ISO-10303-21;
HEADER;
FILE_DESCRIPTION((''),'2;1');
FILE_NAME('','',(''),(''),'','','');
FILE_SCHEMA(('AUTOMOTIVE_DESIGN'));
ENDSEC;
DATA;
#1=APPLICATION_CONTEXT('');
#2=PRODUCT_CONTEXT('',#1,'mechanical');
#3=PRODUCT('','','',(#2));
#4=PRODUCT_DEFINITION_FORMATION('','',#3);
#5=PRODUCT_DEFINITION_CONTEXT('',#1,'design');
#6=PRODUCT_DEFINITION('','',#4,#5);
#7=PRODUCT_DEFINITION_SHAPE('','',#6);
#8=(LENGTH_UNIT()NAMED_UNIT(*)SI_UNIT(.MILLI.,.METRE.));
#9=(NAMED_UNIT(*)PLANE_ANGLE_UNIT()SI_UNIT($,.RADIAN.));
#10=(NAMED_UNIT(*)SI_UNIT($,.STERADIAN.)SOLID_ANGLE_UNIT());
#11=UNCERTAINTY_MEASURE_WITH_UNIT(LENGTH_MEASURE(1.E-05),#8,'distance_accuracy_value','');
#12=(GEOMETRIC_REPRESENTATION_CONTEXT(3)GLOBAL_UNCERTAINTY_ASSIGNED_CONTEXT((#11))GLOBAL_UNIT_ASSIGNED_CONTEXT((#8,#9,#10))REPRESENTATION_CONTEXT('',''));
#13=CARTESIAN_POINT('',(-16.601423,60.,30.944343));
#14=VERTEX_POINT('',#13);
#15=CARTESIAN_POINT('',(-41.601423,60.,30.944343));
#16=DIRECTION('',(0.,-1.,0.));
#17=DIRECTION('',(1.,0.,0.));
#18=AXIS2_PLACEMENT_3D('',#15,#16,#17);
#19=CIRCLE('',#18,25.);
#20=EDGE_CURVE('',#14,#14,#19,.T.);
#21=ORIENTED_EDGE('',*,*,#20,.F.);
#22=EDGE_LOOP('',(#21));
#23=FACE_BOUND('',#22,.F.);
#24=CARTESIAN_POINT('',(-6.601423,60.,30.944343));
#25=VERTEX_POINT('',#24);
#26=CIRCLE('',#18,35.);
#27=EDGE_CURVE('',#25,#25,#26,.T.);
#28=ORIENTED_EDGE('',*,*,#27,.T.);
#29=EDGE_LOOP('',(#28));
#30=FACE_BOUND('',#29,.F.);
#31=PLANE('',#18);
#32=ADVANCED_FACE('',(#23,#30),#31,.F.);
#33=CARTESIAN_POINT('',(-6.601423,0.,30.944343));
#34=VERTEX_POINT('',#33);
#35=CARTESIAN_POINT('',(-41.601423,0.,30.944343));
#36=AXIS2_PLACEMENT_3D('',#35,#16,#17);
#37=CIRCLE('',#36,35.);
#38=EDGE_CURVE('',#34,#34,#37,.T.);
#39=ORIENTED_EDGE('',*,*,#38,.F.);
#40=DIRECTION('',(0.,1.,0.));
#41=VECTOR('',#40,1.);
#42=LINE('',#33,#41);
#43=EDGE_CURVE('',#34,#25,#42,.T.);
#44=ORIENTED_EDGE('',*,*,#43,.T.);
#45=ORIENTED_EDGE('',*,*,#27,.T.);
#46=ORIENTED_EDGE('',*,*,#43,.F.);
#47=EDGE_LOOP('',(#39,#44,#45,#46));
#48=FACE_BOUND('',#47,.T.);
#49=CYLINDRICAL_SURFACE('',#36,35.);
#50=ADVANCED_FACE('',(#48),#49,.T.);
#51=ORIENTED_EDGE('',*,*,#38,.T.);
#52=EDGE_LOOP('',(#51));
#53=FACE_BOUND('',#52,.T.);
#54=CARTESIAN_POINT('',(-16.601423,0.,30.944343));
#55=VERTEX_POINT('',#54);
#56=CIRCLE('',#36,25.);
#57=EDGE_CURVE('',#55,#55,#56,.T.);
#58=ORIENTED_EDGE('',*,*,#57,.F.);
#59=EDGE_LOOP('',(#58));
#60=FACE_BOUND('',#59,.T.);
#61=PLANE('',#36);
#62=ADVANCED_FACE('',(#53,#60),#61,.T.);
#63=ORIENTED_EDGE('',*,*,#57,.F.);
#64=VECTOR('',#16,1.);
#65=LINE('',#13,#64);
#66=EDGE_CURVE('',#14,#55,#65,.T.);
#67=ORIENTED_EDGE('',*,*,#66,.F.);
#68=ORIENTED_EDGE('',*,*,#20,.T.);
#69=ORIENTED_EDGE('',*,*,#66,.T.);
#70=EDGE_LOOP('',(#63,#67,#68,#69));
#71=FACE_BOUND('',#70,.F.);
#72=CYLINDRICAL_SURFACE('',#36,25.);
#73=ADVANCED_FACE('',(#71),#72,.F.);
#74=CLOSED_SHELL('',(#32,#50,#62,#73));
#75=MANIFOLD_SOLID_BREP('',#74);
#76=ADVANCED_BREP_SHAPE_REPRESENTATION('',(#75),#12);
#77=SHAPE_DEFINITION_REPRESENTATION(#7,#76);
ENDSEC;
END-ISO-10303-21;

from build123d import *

# Parameters (mm, degrees)
F0_R     = 35
F0_R_2   = 25
F1_DEPTH = 60
F2_DEPTH = 25


with BuildPart() as f1:
    # F0 (on Front) → F1 (new body)
    with BuildSketch(Plane.XZ):
        with Locations((-41.601423, 30.944343)):
            Circle(F0_R)
        with Locations((-41.601423, 30.944343)):
            Circle(F0_R_2, mode=Mode.SUBTRACT)
    extrude(amount=-F1_DEPTH)

    # F0 (on Front) → F2 (join)
    with BuildSketch(Plane.XZ):
        with Locations((-41.601423, 30.944343)):
            Circle(F0_R)
        with Locations((-41.601423, 30.944343)):
            Circle(F0_R_2, mode=Mode.SUBTRACT)
    extrude(amount=-F2_DEPTH)


solid = f1.part
